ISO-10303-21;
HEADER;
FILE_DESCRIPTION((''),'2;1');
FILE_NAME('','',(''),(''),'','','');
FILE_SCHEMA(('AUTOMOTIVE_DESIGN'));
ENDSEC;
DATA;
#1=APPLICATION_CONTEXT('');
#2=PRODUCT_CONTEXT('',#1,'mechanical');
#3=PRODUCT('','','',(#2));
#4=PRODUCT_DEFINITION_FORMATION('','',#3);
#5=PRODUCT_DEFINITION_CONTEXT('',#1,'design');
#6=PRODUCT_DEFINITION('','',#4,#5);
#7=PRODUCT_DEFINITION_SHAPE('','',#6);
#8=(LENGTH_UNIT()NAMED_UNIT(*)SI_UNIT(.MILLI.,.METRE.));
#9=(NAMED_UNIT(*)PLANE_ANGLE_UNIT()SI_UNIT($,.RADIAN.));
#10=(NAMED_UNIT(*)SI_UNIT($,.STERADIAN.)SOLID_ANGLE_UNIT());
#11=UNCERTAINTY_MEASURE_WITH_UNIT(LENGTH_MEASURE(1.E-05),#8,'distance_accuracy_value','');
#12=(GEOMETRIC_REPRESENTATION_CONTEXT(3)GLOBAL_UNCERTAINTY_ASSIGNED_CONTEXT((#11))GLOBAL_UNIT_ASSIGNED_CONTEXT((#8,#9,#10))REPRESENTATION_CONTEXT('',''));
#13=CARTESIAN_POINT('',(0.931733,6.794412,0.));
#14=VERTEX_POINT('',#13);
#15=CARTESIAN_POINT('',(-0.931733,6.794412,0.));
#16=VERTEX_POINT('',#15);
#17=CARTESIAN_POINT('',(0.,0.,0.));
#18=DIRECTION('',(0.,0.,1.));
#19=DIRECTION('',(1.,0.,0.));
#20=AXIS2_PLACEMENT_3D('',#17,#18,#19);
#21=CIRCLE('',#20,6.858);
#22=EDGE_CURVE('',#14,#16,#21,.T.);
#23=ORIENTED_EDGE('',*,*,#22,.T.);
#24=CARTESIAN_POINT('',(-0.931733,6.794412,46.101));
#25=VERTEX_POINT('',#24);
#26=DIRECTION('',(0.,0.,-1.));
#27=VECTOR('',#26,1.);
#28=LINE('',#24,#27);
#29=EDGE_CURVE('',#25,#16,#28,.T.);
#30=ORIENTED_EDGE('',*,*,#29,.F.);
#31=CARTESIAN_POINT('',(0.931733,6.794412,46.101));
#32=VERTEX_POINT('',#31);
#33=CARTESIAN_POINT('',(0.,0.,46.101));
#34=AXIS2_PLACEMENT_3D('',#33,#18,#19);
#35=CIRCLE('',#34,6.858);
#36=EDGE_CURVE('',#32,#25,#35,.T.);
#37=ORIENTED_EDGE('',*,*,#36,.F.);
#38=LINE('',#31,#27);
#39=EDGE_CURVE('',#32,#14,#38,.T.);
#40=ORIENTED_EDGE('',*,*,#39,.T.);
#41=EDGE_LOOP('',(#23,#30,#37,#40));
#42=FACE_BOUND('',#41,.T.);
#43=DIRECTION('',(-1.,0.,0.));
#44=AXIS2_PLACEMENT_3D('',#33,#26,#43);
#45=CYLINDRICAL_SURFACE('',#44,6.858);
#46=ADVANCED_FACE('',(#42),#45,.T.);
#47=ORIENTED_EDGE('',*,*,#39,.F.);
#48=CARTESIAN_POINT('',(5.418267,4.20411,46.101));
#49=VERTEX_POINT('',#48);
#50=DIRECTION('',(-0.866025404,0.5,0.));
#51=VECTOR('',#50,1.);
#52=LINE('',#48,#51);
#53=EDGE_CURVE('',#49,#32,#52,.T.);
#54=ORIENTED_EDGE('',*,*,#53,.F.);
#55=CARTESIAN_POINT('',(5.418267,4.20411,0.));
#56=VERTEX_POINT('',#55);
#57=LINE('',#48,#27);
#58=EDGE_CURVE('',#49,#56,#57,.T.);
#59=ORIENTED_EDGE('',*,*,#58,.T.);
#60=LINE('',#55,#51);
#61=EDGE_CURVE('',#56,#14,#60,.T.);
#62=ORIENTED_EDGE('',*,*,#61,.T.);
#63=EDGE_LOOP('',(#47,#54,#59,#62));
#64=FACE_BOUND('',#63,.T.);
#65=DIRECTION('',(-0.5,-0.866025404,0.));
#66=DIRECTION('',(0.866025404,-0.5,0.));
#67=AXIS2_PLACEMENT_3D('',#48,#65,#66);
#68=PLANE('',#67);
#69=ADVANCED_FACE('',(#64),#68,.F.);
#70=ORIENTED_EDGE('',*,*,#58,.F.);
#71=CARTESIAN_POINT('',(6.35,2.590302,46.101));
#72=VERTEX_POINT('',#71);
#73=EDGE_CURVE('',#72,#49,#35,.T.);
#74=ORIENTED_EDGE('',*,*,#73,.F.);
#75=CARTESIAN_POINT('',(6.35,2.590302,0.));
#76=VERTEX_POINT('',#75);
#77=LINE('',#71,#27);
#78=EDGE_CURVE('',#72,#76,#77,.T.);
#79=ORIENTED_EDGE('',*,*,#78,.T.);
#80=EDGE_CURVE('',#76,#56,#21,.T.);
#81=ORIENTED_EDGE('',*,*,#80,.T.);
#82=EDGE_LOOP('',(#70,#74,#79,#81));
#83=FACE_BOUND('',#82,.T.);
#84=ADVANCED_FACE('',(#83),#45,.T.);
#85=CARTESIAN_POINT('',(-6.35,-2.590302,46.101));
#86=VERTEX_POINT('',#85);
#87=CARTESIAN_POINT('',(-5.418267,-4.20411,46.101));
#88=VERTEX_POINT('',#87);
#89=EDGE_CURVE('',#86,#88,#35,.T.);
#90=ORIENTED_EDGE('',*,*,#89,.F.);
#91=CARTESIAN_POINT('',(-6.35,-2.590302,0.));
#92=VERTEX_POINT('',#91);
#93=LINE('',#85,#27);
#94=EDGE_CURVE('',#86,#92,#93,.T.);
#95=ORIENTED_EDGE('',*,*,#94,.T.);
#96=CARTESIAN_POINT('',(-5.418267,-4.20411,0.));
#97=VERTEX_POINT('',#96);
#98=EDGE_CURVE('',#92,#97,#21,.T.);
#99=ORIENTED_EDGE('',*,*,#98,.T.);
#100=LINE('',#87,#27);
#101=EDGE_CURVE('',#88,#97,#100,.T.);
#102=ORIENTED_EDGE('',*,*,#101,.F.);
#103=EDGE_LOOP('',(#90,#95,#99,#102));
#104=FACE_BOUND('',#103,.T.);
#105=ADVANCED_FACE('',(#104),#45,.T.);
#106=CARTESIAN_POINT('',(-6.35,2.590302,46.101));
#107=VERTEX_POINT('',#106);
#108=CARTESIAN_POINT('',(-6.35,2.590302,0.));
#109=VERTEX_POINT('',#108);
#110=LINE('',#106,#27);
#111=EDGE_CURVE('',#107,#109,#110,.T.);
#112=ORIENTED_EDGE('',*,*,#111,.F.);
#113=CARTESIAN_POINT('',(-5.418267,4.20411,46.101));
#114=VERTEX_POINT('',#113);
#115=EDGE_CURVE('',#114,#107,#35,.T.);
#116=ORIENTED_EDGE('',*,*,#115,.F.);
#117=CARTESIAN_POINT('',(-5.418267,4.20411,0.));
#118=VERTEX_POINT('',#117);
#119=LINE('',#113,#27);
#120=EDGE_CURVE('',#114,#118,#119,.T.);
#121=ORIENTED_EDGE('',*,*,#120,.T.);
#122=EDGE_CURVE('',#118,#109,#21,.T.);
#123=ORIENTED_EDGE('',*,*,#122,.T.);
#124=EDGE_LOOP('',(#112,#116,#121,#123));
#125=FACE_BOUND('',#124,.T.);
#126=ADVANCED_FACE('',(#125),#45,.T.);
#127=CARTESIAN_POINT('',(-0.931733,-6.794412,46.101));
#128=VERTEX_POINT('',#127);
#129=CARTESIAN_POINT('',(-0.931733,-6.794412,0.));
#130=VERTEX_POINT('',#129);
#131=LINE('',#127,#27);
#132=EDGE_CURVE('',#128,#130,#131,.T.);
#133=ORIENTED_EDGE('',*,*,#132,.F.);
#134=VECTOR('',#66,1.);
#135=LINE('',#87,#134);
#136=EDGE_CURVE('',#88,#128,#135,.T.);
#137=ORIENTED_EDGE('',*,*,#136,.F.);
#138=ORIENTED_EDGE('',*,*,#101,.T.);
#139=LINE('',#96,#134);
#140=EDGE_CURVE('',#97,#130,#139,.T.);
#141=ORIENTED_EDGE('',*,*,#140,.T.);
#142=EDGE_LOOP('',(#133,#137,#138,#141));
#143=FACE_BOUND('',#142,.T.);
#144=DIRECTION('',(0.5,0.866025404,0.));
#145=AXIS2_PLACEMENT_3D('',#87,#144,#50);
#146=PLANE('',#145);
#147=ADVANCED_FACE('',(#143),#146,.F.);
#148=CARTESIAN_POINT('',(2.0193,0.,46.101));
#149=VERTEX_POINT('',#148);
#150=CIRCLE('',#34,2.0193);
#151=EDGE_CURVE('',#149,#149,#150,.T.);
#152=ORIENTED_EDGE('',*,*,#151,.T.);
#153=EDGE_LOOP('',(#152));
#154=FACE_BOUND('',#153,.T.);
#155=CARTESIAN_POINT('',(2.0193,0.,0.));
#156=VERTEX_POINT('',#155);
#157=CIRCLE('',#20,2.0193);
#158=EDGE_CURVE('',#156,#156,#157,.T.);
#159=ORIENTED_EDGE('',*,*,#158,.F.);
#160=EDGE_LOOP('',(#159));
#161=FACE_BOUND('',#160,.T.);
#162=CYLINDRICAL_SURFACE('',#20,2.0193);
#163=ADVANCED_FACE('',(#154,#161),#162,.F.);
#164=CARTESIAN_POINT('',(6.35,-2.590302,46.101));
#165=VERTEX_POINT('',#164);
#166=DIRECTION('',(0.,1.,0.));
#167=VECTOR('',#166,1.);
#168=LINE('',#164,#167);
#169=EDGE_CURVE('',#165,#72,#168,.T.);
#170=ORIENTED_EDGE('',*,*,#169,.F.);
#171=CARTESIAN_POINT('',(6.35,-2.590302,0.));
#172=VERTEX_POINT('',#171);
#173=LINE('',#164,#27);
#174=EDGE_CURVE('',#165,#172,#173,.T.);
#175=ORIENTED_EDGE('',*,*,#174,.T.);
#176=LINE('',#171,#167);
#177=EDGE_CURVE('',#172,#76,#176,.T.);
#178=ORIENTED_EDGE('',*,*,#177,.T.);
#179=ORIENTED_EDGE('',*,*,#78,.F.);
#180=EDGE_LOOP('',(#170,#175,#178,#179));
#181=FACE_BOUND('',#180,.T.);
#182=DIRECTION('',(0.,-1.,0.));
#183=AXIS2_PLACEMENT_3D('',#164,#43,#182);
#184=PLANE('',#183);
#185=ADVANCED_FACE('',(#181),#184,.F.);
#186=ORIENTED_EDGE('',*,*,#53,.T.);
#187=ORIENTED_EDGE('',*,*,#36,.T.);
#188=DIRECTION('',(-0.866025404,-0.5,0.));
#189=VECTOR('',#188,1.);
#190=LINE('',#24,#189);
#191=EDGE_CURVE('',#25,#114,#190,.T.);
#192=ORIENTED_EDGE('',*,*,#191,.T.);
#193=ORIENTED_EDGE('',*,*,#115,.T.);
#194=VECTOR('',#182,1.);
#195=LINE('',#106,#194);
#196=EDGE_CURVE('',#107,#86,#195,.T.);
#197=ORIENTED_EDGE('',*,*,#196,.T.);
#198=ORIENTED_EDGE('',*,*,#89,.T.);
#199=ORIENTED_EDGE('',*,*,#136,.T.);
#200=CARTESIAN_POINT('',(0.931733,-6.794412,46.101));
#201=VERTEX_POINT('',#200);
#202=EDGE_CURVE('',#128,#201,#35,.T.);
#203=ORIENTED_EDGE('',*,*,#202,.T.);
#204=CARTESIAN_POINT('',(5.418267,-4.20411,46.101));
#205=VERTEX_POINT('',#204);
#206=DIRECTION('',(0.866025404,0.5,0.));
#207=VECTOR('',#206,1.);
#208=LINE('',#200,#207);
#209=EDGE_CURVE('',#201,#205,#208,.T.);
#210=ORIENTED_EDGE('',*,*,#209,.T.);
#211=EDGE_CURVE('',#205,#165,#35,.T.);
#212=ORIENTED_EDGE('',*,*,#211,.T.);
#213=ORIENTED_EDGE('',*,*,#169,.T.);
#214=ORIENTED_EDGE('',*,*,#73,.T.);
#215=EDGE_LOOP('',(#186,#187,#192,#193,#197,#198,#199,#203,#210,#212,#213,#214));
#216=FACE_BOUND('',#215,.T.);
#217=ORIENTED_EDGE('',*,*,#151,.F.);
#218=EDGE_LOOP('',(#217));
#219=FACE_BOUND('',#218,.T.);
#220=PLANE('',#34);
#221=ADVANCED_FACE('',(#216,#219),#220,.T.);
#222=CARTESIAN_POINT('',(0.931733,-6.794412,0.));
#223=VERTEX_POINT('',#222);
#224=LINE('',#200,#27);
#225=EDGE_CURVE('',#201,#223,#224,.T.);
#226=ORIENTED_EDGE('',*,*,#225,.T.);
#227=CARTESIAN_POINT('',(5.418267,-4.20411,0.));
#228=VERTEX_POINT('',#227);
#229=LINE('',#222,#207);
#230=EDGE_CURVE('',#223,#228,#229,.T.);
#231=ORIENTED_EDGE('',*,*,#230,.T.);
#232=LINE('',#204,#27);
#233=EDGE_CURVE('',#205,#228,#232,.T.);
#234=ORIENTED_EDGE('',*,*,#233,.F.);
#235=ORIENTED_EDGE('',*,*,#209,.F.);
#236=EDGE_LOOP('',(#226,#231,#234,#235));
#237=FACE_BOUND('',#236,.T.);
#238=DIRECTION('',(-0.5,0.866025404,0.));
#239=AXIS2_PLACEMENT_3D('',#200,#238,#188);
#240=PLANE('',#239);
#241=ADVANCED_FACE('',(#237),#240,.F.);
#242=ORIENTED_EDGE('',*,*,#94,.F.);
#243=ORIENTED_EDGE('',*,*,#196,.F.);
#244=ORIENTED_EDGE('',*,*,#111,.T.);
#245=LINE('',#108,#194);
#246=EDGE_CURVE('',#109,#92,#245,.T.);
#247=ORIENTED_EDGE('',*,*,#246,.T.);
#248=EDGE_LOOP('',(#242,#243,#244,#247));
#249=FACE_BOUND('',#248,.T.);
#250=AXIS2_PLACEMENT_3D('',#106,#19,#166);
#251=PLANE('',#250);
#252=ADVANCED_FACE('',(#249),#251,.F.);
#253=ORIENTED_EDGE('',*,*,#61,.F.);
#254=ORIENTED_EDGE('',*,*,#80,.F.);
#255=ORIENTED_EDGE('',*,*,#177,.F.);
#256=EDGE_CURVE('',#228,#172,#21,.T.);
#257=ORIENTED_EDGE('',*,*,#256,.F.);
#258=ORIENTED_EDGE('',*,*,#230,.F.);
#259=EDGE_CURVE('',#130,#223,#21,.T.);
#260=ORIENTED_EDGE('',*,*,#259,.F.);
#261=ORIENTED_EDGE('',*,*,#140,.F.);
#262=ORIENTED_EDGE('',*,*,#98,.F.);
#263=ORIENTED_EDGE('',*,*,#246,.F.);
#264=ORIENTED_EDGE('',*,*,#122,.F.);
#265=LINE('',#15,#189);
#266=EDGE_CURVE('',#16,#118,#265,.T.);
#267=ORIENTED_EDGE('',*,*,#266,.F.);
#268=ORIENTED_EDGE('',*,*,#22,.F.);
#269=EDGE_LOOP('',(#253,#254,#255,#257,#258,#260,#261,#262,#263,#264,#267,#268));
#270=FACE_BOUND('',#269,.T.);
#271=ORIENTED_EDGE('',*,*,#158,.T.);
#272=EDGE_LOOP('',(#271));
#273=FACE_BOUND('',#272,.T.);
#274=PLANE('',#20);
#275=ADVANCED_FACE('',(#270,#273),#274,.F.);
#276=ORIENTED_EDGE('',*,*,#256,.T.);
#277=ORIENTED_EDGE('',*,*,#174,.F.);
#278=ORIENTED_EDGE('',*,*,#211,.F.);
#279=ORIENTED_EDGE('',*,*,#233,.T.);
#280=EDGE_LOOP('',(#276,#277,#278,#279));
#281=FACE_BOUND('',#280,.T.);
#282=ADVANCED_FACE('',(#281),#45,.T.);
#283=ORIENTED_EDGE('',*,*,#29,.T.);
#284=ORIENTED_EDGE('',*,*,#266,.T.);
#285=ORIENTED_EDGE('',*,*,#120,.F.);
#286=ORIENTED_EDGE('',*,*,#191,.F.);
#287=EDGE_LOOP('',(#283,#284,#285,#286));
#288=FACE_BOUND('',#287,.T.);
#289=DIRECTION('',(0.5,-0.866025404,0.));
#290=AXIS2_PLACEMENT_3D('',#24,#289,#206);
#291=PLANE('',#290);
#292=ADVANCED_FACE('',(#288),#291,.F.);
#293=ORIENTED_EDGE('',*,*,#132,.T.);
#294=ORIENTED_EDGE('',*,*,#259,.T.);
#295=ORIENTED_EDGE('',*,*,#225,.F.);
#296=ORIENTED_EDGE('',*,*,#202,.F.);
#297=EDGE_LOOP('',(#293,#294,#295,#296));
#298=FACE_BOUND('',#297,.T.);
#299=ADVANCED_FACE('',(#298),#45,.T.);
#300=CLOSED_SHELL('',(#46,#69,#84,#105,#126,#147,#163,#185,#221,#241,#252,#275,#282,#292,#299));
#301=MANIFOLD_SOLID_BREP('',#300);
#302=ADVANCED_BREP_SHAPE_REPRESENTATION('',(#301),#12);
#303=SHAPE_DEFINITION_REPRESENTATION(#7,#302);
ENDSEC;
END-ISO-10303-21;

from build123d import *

# Parameters (mm, degrees)
BOSS_EXTRUDE1_DEPTH = 46.101
SKETCH2_R           = 2.0193
CUT_EXTRUDE1_DEPTH  = 48.038886732


with BuildPart() as part:
    # Sketch1 → Boss-Extrude1 (new body)
    with BuildSketch(Plane.XY):
        with BuildLine():
            Line((-0.93173274, 6.79441227), (-5.41826726, 4.204110358))
            ThreePointArc((-5.41826726, 4.204110358), (-5.939202219, 3.429), (-6.35, 2.590301913))
            Line((-6.35, 2.590301913), (-6.35, -2.590301913))
            ThreePointArc((-6.35, -2.590301913), (-5.939202219, -3.429), (-5.41826726, -4.204110358))
            Line((-5.41826726, -4.204110358), (-0.93173274, -6.79441227))
            ThreePointArc((-0.93173274, -6.79441227), (0, -6.858), (0.93173274, -6.79441227))
            Line((0.93173274, -6.79441227), (5.41826726, -4.204110358))
            ThreePointArc((5.41826726, -4.204110358), (5.939202219, -3.429), (6.35, -2.590301913))
            Line((6.35, -2.590301913), (6.35, 2.590301913))
            ThreePointArc((6.35, 2.590301913), (5.939202219, 3.429), (5.41826726, 4.204110358))
            Line((5.41826726, 4.204110358), (0.93173274, 6.79441227))
            ThreePointArc((0.93173274, 6.79441227), (0, 6.858), (-0.93173274, 6.79441227))
        make_face()
    extrude(amount=BOSS_EXTRUDE1_DEPTH)

    # Sketch2 → Cut-Extrude1 (cut, through all)
    with BuildSketch(Plane.XY.offset(46.101)):
        Circle(SKETCH2_R)
    extrude(amount=-CUT_EXTRUDE1_DEPTH, mode=Mode.SUBTRACT)


solid = part.part
